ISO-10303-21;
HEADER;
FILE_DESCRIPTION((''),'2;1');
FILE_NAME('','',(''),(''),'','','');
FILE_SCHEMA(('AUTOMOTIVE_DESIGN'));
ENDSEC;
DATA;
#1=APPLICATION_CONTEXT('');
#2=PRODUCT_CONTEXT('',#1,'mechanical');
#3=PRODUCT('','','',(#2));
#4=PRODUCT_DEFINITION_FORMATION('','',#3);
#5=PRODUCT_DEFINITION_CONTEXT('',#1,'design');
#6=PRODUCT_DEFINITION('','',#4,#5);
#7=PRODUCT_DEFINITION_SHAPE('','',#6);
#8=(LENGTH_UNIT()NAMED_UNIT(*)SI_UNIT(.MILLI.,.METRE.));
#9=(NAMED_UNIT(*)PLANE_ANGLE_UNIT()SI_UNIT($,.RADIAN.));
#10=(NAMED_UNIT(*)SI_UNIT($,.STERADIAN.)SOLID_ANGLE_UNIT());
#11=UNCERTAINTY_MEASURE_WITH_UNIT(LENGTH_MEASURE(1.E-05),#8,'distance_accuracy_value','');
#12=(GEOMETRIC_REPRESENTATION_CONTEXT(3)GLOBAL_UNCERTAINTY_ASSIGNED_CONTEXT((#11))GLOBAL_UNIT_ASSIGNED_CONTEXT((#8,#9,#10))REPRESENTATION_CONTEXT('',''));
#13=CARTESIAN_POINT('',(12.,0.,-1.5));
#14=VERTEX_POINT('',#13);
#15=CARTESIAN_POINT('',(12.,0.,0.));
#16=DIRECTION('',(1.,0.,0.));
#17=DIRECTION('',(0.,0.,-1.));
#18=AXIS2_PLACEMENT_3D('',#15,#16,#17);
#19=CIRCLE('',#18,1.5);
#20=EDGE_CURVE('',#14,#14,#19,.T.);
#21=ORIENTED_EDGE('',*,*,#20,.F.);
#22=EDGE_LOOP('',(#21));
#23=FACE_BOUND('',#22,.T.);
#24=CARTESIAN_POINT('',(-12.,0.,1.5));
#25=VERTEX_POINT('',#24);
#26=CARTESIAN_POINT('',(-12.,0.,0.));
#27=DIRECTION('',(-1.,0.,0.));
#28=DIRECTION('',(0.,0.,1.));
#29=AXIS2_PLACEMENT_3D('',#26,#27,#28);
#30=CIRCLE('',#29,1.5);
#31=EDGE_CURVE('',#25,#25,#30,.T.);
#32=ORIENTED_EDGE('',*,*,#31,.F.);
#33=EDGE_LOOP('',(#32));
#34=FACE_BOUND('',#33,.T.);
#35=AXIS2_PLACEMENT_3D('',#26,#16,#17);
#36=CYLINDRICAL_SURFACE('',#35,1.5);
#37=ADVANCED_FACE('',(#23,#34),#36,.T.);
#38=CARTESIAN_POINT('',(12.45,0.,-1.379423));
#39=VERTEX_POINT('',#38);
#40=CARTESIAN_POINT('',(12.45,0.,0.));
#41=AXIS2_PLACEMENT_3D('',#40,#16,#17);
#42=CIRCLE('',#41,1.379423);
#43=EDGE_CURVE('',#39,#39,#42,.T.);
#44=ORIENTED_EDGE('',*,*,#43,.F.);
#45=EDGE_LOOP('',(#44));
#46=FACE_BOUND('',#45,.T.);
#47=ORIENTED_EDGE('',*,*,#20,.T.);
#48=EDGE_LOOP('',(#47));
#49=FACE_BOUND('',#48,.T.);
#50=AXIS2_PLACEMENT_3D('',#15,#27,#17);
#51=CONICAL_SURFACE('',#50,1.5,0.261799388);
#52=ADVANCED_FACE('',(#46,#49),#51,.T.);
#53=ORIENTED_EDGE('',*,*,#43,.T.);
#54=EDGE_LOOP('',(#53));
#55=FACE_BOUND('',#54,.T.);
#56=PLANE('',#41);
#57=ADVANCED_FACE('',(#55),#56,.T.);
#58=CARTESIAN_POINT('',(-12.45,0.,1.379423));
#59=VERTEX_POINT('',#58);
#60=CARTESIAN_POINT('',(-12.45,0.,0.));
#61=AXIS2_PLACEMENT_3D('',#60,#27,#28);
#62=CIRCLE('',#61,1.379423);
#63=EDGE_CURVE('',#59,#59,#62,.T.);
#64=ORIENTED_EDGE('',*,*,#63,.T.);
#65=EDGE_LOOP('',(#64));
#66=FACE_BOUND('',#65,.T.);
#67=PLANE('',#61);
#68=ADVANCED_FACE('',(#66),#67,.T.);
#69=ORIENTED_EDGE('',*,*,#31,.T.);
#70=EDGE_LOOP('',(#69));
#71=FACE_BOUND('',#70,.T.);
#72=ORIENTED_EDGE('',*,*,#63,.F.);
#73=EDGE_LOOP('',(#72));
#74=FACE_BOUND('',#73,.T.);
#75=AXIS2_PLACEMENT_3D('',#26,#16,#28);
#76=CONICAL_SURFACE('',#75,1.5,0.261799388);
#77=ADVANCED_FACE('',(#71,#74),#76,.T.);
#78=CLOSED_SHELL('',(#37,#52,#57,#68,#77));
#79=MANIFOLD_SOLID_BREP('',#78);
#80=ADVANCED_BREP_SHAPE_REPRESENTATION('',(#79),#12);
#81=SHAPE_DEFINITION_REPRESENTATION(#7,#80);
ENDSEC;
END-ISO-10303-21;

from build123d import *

# Parameters (mm, degrees)
EXTRUDE1_DEPTH      = 12
EXTRUDE1_DEPTH_BACK = 12
SKETCH2_R           = 1.5
SKETCH3_R           = 1.5
EXTRUDE2_DEPTH      = 0.45
EXTRUDE2_TAPER      = 15
SKETCH4_R           = 1.5
EXTRUDE3_DEPTH      = 0.45
EXTRUDE3_TAPER      = 15


with BuildPart() as part:
    # Sketch2 → Extrude1 (new, two sides: drawn at the far end of the back side and taken through both)
    with BuildSketch(Plane(origin=(0, 0, 0), x_dir=(0, 0, -1), z_dir=(1, 0, 0)).offset(-EXTRUDE1_DEPTH_BACK)):
        Circle(SKETCH2_R)
    extrude(amount=EXTRUDE1_DEPTH + EXTRUDE1_DEPTH_BACK)

    # Sketch3 → Extrude2 (add)
    with BuildSketch(Plane(origin=(12, 0, 0), x_dir=(0, 0, -1), z_dir=(1, 0, 0))):
        Circle(SKETCH3_R)
    extrude(amount=EXTRUDE2_DEPTH, taper=EXTRUDE2_TAPER)

    # Sketch4 → Extrude3 (add)
    with BuildSketch(Plane.ZY.offset(12)):
        with Locations(Location((0, 0, 0), (0, 0, 180))):
            Circle(SKETCH4_R)
    extrude(amount=EXTRUDE3_DEPTH, taper=EXTRUDE3_TAPER)


solid = part.part
